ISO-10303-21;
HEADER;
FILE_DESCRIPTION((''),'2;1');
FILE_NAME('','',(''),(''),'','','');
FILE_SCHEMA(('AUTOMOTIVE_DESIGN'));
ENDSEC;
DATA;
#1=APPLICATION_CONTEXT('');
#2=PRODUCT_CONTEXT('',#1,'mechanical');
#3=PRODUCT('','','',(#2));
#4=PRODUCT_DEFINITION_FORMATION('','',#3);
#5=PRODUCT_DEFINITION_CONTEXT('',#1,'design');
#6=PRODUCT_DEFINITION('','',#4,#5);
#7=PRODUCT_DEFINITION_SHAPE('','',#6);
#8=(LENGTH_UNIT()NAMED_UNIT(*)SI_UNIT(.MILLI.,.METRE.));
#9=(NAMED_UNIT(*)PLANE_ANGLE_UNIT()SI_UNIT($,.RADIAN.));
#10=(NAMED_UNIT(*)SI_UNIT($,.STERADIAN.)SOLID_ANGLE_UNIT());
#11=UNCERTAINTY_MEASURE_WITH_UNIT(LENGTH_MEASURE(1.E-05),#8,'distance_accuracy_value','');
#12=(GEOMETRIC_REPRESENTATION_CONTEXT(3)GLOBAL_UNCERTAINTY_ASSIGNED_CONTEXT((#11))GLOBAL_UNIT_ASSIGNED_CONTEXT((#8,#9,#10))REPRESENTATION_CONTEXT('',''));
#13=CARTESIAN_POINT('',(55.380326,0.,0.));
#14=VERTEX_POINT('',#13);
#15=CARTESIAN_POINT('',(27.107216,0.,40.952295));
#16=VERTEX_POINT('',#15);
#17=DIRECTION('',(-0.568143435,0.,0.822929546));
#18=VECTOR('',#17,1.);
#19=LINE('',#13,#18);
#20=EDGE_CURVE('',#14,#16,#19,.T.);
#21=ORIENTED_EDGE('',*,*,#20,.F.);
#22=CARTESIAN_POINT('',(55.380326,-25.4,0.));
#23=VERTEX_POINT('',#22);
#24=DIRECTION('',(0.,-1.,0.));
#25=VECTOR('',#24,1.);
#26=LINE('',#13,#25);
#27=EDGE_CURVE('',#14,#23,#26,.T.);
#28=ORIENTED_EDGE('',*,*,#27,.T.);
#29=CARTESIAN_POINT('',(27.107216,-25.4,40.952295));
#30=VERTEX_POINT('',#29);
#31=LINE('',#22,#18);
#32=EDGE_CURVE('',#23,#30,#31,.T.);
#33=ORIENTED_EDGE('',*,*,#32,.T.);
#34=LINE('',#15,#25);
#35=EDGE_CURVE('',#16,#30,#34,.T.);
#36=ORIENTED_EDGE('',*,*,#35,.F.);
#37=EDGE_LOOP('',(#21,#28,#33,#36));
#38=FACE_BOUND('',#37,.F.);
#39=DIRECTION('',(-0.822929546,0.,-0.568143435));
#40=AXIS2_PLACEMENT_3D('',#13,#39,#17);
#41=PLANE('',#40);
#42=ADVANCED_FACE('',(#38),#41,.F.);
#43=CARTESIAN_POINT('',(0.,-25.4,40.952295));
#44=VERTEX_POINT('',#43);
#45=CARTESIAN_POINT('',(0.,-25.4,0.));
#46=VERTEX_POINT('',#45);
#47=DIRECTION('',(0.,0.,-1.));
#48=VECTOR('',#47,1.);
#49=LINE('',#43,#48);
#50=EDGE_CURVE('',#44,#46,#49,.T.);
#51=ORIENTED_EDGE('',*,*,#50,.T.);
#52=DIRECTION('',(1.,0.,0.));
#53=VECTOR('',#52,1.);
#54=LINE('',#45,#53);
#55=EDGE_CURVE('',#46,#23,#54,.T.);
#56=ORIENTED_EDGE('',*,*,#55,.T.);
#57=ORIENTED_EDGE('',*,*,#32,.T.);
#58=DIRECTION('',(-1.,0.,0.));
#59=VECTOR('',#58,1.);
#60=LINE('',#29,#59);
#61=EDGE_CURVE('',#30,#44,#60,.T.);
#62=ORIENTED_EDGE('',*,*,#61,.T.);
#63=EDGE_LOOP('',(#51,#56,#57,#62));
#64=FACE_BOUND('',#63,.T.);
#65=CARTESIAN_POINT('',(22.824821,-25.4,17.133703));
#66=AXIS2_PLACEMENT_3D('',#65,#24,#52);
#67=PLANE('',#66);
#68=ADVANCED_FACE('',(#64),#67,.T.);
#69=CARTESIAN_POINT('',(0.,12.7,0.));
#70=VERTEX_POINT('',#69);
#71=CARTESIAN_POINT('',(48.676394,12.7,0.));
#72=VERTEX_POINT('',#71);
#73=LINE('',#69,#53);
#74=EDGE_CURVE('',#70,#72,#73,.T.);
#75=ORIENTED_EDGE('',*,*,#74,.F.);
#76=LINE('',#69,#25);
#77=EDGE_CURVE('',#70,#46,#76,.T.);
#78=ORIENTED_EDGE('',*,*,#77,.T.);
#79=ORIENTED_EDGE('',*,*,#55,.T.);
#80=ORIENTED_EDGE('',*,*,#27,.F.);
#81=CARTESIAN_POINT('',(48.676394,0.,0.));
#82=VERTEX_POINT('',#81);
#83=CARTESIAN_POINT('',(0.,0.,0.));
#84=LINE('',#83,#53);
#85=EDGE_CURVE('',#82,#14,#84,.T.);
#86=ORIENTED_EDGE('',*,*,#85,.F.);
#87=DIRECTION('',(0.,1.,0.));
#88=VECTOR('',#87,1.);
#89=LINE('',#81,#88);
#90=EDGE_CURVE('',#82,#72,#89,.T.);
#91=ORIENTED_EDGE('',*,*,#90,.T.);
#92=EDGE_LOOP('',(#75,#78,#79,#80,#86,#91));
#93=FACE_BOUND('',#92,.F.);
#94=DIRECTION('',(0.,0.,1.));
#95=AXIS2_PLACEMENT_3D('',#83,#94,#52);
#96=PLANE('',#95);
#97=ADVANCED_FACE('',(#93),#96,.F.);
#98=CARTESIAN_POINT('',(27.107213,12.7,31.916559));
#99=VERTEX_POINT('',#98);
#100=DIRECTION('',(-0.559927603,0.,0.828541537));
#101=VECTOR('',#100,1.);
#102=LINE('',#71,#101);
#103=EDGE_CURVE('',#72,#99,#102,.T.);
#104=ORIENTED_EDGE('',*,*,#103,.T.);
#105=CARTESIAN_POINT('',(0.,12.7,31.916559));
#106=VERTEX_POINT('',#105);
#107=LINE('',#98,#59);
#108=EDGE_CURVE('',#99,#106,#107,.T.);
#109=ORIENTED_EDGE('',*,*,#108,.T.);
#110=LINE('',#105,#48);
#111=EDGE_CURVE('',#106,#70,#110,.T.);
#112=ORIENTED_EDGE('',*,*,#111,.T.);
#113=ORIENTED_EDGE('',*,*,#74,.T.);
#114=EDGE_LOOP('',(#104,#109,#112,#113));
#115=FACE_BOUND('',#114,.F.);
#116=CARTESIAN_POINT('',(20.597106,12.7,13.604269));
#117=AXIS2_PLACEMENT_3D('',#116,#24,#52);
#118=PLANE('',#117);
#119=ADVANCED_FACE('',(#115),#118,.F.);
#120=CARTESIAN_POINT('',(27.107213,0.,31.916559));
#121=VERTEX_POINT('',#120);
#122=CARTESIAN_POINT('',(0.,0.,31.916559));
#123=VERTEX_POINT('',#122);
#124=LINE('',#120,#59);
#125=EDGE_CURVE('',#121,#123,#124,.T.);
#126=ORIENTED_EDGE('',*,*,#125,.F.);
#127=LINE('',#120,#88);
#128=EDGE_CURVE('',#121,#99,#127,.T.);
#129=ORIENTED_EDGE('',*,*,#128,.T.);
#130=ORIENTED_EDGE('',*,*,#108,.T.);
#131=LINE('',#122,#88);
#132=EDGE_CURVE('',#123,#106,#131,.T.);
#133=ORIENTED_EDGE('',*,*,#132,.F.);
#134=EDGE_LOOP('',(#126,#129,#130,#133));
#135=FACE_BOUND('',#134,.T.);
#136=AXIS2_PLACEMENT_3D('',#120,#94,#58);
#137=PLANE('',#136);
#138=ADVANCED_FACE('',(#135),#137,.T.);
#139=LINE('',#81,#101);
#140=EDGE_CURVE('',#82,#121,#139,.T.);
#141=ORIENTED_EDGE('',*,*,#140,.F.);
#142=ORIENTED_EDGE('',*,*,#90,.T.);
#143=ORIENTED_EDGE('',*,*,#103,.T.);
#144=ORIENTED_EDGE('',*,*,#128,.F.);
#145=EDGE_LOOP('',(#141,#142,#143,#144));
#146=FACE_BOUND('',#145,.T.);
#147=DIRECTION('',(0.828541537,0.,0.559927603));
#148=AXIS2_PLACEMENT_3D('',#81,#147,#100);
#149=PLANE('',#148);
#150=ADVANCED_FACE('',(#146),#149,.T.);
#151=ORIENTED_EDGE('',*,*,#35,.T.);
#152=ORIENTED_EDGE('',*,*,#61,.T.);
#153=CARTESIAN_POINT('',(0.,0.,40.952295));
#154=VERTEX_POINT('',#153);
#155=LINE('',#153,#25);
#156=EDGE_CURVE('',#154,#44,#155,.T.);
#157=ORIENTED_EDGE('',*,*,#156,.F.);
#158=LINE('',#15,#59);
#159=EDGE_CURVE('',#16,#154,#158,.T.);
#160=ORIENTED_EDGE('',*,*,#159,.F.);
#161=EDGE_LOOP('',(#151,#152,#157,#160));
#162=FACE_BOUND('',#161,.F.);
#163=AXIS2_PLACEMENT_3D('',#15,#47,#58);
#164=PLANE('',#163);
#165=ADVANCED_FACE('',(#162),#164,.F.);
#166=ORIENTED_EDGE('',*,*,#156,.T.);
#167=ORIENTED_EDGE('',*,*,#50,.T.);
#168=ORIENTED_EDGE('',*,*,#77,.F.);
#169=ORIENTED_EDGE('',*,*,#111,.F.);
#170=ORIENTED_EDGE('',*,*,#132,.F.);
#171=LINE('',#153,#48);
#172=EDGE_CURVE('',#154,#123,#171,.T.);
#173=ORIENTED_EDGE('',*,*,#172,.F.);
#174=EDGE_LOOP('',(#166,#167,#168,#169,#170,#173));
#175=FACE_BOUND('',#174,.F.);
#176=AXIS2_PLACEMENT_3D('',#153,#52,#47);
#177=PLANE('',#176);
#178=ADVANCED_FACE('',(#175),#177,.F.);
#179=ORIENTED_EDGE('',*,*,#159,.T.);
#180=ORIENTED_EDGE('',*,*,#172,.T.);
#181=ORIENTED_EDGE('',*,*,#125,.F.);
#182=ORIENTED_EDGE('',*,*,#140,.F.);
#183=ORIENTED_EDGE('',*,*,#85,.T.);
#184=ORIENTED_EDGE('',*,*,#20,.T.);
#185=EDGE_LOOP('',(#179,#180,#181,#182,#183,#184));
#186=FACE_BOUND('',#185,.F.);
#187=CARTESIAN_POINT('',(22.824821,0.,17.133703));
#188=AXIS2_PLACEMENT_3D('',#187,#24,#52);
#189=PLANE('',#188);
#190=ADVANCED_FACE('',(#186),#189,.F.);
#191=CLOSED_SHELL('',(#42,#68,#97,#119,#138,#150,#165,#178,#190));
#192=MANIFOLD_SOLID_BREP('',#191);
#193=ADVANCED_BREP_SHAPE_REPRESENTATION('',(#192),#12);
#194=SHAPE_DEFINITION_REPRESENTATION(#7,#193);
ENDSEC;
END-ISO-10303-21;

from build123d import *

# Parameters (mm, degrees)
F1_DEPTH = 12.7
F3_DEPTH = 25.4


with BuildPart() as f1:
    # F0 (on Front) → F1 (new body)
    with BuildSketch(Plane.XZ):
        Polygon((0, 31.916559), (0, 0), (48.676394, 0), (27.107213, 31.916559), align=None)
    extrude(amount=-F1_DEPTH)

    # F2 (on Front) → F3 (join)
    with BuildSketch(Plane.XZ):
        Polygon((0, 40.952295), (0, 0), (55.380326, 0), (27.107216, 40.952295), align=None)
    extrude(amount=F3_DEPTH)


solid = f1.part
